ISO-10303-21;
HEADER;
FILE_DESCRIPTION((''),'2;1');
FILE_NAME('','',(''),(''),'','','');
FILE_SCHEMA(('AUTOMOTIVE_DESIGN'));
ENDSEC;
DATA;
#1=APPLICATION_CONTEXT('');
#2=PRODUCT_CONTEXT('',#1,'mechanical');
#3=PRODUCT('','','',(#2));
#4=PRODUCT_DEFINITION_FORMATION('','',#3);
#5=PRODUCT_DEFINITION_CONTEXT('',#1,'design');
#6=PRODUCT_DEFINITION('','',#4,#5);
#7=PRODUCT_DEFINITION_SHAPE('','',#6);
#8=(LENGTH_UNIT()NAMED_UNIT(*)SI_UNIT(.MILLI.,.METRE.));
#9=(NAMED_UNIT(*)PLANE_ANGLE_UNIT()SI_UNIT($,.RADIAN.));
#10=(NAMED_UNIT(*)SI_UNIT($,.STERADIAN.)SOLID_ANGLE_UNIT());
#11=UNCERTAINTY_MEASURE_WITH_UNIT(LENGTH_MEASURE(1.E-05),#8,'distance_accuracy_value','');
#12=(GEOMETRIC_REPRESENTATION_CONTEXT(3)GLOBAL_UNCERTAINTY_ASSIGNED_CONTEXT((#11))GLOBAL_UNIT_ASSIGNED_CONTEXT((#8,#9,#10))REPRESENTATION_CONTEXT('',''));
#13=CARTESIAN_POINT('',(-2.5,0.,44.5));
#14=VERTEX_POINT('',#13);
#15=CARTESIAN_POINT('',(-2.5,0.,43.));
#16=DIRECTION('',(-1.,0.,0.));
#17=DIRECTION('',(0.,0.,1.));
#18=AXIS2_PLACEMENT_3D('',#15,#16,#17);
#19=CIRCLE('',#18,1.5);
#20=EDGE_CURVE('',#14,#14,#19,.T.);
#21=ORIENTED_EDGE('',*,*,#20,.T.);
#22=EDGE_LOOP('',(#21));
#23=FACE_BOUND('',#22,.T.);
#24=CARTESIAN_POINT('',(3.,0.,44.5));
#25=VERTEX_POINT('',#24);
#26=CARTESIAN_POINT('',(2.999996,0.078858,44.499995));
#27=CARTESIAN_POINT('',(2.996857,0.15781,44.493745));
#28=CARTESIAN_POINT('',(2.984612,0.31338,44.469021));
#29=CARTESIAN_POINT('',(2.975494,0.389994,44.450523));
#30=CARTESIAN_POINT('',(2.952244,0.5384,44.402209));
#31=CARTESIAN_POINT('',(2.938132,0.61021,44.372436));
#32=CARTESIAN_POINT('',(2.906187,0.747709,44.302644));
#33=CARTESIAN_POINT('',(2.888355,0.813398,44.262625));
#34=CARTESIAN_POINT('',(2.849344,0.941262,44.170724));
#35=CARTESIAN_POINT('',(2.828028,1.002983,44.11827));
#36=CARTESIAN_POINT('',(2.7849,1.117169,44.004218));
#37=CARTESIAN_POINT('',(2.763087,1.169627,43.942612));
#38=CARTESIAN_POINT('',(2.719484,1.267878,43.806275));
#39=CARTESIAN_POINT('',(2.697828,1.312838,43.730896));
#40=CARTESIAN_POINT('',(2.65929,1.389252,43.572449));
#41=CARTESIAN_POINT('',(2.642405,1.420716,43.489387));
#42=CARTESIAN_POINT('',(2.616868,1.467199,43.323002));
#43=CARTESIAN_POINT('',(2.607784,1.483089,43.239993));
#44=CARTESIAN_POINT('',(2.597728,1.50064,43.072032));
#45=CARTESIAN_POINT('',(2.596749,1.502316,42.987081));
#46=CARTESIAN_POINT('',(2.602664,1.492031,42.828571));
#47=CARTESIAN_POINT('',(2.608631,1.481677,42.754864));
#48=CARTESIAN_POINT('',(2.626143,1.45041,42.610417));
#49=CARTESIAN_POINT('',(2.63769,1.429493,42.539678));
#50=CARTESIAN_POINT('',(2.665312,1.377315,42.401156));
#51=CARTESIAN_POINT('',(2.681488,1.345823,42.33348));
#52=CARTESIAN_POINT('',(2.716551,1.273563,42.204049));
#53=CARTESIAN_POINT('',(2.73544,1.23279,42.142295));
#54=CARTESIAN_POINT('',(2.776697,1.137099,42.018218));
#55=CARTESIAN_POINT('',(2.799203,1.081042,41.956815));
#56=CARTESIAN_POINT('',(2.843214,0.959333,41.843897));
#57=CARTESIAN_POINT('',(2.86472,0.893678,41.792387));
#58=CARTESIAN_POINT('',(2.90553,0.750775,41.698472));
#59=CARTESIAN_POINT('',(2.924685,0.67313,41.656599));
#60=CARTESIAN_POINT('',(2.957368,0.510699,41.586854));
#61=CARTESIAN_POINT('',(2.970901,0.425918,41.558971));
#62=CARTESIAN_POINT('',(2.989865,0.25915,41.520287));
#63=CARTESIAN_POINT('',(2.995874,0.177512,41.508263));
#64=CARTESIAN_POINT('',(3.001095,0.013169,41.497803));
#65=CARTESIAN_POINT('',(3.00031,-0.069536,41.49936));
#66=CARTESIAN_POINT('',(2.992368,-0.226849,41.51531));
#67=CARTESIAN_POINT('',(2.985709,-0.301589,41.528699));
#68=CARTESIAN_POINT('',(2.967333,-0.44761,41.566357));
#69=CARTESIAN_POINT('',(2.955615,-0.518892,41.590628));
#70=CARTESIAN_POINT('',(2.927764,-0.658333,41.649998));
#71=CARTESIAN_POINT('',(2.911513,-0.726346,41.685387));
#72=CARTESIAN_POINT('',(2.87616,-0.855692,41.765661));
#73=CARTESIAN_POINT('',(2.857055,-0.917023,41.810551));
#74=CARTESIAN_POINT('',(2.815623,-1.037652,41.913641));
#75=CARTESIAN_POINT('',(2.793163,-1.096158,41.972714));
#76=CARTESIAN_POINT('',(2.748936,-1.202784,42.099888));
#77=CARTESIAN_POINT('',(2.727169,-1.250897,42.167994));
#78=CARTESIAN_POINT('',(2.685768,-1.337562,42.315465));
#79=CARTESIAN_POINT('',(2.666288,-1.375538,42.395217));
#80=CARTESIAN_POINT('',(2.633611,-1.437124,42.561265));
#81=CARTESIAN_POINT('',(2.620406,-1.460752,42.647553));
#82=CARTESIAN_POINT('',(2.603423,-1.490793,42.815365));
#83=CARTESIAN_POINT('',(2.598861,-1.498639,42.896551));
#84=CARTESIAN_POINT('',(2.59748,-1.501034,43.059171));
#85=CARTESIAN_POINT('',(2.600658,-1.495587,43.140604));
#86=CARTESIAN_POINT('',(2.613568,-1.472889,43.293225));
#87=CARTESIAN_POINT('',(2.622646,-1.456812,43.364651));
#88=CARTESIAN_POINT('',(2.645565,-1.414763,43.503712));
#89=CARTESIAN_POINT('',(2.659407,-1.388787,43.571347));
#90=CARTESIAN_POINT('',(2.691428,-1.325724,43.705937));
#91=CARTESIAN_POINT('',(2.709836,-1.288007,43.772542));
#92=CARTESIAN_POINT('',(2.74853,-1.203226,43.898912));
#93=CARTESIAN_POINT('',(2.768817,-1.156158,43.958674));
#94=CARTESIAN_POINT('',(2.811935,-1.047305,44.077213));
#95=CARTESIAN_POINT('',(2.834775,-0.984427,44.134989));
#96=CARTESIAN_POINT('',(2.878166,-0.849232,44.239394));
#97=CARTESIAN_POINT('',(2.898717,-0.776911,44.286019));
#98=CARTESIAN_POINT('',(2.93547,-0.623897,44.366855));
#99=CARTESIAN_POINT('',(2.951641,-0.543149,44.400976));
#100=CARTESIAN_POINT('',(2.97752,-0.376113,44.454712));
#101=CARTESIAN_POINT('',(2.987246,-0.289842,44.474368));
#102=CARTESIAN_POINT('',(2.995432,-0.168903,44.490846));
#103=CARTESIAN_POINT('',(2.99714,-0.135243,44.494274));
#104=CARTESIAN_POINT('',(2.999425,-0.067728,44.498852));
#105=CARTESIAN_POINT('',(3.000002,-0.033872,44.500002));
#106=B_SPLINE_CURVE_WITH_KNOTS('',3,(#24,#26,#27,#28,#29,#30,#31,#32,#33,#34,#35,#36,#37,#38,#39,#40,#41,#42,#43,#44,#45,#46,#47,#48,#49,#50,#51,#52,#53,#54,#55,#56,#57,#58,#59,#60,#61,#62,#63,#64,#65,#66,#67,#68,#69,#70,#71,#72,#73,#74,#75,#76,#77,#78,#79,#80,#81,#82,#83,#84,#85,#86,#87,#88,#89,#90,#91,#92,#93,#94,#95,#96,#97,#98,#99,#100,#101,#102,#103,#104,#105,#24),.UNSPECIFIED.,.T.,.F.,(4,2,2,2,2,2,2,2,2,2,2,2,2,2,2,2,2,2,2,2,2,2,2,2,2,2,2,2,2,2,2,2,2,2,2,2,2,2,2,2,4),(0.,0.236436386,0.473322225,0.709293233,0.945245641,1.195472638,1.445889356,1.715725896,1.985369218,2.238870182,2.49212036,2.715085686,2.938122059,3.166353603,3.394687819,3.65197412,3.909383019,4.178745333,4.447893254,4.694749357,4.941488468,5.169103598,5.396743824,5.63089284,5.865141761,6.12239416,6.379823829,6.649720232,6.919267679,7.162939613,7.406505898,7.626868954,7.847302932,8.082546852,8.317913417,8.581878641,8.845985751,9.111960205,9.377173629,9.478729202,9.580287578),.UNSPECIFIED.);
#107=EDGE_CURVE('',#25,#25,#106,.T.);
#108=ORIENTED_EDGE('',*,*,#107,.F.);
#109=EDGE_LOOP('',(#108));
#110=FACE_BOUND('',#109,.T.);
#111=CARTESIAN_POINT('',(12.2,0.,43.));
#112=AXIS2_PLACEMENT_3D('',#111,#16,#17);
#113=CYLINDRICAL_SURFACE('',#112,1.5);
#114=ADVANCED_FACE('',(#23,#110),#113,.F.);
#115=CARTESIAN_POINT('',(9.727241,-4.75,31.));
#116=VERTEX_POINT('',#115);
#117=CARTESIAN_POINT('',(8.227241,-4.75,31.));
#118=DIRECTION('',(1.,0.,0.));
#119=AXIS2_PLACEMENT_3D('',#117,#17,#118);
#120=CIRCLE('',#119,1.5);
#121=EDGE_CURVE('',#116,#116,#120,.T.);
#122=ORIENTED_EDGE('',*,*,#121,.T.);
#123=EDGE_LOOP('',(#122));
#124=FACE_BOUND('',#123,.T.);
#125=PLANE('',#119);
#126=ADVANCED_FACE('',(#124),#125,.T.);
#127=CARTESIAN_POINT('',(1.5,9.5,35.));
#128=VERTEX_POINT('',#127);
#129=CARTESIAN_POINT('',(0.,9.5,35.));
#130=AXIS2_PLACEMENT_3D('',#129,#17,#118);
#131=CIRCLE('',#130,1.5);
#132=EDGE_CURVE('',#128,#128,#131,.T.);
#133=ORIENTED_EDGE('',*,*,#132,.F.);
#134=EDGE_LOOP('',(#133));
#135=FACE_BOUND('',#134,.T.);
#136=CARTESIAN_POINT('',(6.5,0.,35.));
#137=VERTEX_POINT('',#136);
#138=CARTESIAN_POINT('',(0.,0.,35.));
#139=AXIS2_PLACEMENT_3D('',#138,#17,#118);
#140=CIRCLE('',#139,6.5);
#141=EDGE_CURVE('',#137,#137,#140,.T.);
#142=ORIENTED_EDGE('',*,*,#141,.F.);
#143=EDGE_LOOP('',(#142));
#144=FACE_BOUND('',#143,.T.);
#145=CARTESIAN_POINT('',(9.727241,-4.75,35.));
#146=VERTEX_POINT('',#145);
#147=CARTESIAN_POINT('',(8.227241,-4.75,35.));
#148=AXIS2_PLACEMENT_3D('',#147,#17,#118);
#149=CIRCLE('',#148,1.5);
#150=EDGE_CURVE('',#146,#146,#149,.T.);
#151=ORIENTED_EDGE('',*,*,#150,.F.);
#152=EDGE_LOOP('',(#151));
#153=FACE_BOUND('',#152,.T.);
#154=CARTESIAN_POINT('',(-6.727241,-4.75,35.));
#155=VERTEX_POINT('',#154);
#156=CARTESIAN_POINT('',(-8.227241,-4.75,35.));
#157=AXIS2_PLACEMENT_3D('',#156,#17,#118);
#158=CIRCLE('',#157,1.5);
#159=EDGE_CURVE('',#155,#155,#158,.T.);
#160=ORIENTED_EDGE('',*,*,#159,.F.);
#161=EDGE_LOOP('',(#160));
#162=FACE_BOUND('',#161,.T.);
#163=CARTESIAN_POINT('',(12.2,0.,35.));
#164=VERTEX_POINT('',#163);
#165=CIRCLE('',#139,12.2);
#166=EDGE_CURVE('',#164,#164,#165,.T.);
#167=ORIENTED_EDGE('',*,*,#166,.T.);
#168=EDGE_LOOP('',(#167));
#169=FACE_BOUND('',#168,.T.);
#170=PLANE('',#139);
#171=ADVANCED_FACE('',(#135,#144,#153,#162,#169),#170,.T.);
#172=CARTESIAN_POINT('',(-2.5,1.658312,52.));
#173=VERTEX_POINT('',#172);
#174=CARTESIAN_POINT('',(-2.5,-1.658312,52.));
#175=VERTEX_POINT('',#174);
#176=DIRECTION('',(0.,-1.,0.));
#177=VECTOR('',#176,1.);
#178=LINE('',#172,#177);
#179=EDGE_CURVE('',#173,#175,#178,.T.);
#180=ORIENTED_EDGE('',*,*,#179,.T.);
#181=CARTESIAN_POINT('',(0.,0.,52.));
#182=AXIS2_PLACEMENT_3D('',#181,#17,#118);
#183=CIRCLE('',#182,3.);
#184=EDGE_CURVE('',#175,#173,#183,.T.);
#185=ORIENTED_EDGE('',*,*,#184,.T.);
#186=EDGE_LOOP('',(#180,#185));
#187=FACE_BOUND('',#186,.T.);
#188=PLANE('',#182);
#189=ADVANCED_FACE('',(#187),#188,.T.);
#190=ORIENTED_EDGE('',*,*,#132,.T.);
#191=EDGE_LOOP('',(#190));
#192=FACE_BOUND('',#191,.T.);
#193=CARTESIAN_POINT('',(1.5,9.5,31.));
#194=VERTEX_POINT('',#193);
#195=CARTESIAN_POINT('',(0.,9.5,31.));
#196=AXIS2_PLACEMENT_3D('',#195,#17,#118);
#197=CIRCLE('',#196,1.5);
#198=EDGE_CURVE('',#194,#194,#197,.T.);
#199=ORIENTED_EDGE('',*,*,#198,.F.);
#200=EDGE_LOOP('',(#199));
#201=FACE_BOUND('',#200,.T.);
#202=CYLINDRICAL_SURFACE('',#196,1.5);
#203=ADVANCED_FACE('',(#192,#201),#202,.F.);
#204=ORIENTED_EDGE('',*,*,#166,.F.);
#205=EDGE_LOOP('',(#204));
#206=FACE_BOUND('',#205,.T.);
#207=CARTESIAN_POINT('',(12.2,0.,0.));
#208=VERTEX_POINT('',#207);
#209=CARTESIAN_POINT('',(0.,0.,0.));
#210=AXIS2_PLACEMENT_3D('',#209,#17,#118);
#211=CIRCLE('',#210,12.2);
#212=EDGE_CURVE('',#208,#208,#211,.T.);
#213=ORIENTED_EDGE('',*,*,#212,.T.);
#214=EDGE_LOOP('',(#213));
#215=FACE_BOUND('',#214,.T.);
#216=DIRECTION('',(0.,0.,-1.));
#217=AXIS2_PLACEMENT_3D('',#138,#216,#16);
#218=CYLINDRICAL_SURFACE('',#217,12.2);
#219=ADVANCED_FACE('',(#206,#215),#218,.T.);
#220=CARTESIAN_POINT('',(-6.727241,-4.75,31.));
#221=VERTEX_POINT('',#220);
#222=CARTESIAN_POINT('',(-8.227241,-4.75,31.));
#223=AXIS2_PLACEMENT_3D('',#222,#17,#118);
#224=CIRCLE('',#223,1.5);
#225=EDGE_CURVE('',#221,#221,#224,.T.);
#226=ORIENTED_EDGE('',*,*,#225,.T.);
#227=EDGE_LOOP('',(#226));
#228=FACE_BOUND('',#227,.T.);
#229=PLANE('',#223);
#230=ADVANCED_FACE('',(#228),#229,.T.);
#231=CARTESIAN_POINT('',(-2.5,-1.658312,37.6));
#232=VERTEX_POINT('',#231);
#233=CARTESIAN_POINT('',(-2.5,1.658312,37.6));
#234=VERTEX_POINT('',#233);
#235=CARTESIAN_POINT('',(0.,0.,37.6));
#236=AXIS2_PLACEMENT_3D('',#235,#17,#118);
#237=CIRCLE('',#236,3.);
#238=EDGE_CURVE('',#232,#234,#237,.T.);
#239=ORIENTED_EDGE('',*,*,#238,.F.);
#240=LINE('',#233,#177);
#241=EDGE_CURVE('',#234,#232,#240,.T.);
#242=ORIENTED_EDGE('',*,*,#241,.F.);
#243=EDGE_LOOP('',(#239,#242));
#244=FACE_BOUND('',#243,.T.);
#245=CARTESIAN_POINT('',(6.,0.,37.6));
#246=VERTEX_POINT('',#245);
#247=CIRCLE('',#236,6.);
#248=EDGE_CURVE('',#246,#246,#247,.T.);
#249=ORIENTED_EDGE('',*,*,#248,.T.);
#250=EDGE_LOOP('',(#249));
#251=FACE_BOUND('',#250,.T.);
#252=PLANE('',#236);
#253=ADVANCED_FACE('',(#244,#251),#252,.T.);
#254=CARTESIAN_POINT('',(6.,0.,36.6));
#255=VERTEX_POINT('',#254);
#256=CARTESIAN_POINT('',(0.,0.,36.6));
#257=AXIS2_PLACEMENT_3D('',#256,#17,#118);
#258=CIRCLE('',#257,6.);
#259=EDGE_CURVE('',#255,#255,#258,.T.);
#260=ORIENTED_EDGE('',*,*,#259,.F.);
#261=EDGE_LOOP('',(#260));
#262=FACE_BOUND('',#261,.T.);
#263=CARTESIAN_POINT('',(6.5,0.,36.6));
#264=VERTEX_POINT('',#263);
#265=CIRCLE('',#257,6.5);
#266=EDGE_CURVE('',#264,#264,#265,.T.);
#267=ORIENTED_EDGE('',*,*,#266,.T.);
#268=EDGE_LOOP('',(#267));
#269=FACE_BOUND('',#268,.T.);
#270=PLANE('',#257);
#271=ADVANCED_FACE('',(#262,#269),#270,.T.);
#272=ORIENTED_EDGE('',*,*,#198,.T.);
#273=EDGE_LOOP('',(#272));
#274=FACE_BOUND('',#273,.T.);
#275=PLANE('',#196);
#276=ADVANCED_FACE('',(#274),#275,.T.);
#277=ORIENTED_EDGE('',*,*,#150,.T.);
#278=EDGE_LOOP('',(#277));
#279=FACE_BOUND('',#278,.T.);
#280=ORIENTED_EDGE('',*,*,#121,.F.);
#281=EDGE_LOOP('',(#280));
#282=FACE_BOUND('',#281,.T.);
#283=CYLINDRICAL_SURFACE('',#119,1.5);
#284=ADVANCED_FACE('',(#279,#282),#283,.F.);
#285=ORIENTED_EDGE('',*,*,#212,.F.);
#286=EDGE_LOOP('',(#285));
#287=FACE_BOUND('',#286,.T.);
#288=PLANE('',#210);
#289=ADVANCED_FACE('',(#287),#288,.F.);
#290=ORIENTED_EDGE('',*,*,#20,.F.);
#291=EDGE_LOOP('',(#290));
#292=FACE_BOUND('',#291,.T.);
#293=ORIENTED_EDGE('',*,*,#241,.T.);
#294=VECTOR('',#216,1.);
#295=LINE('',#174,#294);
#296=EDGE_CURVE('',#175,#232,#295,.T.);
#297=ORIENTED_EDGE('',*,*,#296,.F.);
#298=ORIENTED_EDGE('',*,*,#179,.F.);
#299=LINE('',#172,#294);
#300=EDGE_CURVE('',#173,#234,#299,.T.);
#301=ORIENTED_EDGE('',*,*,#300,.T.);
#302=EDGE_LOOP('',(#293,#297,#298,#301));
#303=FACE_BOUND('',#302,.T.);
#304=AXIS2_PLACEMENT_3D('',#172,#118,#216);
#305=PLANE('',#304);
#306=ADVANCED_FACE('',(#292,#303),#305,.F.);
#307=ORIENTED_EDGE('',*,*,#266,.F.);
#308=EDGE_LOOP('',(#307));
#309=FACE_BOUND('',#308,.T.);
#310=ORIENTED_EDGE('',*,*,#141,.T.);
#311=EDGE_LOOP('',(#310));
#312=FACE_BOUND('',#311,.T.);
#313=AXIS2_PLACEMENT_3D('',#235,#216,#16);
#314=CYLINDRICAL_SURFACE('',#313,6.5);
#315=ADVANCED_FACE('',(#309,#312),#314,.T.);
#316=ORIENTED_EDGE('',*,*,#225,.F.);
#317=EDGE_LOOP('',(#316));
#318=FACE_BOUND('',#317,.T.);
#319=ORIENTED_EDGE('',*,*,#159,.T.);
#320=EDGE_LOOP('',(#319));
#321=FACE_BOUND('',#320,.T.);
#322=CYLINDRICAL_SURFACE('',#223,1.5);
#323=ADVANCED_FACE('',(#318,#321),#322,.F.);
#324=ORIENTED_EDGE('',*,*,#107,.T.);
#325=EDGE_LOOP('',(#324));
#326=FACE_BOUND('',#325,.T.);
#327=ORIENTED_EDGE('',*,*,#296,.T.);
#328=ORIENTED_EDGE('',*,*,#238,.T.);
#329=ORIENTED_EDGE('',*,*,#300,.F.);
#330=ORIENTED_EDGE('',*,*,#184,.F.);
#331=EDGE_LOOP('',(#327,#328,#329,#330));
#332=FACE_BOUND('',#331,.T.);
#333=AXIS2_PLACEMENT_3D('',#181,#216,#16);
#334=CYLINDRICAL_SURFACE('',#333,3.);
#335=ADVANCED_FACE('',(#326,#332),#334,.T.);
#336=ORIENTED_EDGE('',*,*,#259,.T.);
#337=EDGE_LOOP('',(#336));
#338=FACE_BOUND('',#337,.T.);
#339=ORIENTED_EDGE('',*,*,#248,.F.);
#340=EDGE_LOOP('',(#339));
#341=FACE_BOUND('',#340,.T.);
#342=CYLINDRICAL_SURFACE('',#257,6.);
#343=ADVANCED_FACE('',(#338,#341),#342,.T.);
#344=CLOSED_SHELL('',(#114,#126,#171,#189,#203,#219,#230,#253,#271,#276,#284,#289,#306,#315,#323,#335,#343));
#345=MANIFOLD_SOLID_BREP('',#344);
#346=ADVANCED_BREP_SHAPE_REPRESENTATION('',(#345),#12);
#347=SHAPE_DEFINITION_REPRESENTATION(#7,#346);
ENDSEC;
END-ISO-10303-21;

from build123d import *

# Parameters (mm, degrees)
SKETCH_1_R          = 12.2
EXTRUDE_1_DEPTH     = 35
SKETCH_2_R          = 6.5
EXTRUDE_2_DEPTH     = 2.6
EXTRUDE_3_DEPTH     = 14.4
CUT_EXTRUDE_START   = -1
SKETCH_4_R          = 6.5
SKETCH_4_R_2        = 6
CUT_EXTRUDE_2_DEPTH = 1
SKETCH_5_R          = 1.5
CUT_EXTRUDE_3_DEPTH = 56.397924149
SKETCH_6_R          = 1.5
CUT_EXTRUDE_5_DEPTH = 4


with BuildPart() as part:
    # 草图1 → 凸台-拉伸1 (new body)
    with BuildSketch(Plane.XY):
        Circle(SKETCH_1_R)
    extrude(amount=EXTRUDE_1_DEPTH)

    # 草图2 → 凸台-拉伸2 (add)
    with BuildSketch(Plane.XY.offset(35)):
        Circle(SKETCH_2_R)
    extrude(amount=EXTRUDE_2_DEPTH)

    # 草图3 → 凸台-拉伸3 (add)
    with BuildSketch(Plane.XY.offset(37.6)):
        with BuildLine():
            Line((-2.5, 1.658312395), (-2.5, -1.658312395))
            ThreePointArc((-2.5, -1.658312395), (3, 0), (-2.5, 1.658312395))
        make_face()
    extrude(amount=EXTRUDE_3_DEPTH)

    # 草图4 → 切除-拉伸2 (cut)
    with BuildSketch(Plane.XY.offset(37.6).offset(CUT_EXTRUDE_START)):
        Circle(SKETCH_4_R)
        Circle(SKETCH_4_R_2, mode=Mode.SUBTRACT)
    extrude(amount=CUT_EXTRUDE_2_DEPTH, mode=Mode.SUBTRACT)

    # 草图5 → 切除-拉伸3 (cut, through all)
    with BuildSketch(Plane.ZY.offset(2.5)):
        with Locations((43, 0)):
            Circle(SKETCH_5_R)
    extrude(amount=-CUT_EXTRUDE_3_DEPTH, mode=Mode.SUBTRACT)

    # 草图6 → 切除-拉伸5 (cut)
    with BuildSketch(Plane.XY.offset(35)):
        with Locations((0, 9.5)):
            Circle(SKETCH_6_R)
        with Locations((8.227241336, -4.75)):
            Circle(SKETCH_6_R)
        with Locations((-8.227241336, -4.75)):
            Circle(SKETCH_6_R)
    extrude(amount=-CUT_EXTRUDE_5_DEPTH, mode=Mode.SUBTRACT)


solid = part.part
